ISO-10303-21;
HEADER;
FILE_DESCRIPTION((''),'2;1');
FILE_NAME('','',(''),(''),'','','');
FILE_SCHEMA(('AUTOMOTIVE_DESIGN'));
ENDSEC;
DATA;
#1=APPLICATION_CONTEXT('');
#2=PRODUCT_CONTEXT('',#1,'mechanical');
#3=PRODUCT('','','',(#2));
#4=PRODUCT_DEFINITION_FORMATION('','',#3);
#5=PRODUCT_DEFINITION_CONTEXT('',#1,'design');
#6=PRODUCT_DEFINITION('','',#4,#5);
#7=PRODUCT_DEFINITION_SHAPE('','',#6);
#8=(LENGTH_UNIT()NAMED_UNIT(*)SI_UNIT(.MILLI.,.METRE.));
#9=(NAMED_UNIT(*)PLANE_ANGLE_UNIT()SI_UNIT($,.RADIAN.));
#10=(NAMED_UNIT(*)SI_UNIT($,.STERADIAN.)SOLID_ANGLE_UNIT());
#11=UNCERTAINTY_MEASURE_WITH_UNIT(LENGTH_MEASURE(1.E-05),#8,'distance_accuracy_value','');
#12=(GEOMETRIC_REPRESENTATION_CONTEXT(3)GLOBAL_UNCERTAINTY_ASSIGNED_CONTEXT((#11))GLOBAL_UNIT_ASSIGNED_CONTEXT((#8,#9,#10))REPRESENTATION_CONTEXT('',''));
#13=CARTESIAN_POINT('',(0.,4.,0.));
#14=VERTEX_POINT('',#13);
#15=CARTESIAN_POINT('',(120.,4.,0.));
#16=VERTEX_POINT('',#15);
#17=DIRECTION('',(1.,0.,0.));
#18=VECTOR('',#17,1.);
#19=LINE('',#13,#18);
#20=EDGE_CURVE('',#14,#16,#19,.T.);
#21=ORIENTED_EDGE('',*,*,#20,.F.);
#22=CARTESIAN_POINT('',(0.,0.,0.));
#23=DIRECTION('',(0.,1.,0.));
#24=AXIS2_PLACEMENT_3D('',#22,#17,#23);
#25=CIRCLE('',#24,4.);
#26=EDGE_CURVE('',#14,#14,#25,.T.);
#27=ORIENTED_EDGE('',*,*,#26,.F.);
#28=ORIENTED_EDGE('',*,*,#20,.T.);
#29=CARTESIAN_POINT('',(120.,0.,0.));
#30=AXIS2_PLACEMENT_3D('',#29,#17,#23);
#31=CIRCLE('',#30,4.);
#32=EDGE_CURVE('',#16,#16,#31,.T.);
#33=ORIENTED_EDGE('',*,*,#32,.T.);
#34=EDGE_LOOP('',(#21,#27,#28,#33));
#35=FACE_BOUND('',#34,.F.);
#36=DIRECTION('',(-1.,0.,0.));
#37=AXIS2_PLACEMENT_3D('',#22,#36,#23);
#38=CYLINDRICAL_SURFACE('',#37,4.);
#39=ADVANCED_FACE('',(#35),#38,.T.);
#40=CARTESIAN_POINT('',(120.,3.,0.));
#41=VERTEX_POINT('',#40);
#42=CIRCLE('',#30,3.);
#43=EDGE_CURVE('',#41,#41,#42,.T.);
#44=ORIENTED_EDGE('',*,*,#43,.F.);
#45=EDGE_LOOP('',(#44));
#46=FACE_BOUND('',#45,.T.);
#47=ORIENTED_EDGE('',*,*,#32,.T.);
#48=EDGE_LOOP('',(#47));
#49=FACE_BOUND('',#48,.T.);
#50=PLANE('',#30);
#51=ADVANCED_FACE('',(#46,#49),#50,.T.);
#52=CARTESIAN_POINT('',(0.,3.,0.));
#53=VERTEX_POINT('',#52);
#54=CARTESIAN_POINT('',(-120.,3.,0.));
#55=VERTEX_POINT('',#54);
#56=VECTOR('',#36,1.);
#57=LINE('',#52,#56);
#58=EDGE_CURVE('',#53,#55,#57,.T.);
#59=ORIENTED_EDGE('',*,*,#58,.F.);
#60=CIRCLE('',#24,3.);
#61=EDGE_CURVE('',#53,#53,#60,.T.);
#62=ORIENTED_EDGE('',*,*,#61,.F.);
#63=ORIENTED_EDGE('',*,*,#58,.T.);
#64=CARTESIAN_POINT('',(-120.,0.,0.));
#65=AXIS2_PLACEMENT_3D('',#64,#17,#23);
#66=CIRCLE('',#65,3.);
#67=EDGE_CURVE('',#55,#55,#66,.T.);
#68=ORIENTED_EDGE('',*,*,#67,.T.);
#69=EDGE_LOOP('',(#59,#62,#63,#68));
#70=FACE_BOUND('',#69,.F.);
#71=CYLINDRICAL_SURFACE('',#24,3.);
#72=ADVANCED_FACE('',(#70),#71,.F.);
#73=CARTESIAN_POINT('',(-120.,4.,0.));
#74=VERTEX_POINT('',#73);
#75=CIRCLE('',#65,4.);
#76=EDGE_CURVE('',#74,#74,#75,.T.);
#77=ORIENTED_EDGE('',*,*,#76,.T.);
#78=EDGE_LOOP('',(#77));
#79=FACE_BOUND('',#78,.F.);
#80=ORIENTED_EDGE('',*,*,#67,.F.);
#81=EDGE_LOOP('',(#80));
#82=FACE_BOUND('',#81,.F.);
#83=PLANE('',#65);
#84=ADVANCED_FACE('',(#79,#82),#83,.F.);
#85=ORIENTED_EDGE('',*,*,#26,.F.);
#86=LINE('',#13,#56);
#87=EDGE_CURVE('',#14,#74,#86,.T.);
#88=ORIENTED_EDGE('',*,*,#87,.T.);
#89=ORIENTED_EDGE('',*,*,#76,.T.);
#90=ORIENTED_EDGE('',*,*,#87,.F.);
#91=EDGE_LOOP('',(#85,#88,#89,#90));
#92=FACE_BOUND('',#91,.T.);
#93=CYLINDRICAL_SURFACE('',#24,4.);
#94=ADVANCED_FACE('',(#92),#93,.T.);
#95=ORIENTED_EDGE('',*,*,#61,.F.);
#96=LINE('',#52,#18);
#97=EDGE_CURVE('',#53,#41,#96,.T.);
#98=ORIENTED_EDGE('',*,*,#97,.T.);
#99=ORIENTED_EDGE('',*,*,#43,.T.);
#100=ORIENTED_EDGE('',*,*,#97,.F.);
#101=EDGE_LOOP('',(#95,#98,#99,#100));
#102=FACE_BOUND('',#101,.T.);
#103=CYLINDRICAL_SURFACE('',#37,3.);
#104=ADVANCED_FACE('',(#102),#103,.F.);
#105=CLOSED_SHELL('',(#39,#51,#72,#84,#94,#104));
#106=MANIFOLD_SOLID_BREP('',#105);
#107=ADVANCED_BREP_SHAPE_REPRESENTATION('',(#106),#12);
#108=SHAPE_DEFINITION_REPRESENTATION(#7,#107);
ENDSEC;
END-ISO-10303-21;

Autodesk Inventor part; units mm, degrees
ref_plane "YZ Plane" through (0, 0, 0) normal (1, 0, 0) x (0, 1, 0)
ref_plane "XZ Plane" through (0, 0, 0) normal (0, 1, 0) x (-1, 0, 0)
ref_plane "XY Plane" through (0, 0, 0) normal (0, 0, 1) x (1, 0, 0)
sketch "Skizze1" plane through (0, 0, 0) normal (1, 0, 0) x (0, 1, 0)
  circle A0 centre (0, 0) radius 3
  circle A1 centre (0, 0) radius 4
  dimension "d0" = 6
  dimension "d1" = 8
extrude "Extrusion1" add sketch "Skizze1" along normal mid plane 240
properties part number "stange"
